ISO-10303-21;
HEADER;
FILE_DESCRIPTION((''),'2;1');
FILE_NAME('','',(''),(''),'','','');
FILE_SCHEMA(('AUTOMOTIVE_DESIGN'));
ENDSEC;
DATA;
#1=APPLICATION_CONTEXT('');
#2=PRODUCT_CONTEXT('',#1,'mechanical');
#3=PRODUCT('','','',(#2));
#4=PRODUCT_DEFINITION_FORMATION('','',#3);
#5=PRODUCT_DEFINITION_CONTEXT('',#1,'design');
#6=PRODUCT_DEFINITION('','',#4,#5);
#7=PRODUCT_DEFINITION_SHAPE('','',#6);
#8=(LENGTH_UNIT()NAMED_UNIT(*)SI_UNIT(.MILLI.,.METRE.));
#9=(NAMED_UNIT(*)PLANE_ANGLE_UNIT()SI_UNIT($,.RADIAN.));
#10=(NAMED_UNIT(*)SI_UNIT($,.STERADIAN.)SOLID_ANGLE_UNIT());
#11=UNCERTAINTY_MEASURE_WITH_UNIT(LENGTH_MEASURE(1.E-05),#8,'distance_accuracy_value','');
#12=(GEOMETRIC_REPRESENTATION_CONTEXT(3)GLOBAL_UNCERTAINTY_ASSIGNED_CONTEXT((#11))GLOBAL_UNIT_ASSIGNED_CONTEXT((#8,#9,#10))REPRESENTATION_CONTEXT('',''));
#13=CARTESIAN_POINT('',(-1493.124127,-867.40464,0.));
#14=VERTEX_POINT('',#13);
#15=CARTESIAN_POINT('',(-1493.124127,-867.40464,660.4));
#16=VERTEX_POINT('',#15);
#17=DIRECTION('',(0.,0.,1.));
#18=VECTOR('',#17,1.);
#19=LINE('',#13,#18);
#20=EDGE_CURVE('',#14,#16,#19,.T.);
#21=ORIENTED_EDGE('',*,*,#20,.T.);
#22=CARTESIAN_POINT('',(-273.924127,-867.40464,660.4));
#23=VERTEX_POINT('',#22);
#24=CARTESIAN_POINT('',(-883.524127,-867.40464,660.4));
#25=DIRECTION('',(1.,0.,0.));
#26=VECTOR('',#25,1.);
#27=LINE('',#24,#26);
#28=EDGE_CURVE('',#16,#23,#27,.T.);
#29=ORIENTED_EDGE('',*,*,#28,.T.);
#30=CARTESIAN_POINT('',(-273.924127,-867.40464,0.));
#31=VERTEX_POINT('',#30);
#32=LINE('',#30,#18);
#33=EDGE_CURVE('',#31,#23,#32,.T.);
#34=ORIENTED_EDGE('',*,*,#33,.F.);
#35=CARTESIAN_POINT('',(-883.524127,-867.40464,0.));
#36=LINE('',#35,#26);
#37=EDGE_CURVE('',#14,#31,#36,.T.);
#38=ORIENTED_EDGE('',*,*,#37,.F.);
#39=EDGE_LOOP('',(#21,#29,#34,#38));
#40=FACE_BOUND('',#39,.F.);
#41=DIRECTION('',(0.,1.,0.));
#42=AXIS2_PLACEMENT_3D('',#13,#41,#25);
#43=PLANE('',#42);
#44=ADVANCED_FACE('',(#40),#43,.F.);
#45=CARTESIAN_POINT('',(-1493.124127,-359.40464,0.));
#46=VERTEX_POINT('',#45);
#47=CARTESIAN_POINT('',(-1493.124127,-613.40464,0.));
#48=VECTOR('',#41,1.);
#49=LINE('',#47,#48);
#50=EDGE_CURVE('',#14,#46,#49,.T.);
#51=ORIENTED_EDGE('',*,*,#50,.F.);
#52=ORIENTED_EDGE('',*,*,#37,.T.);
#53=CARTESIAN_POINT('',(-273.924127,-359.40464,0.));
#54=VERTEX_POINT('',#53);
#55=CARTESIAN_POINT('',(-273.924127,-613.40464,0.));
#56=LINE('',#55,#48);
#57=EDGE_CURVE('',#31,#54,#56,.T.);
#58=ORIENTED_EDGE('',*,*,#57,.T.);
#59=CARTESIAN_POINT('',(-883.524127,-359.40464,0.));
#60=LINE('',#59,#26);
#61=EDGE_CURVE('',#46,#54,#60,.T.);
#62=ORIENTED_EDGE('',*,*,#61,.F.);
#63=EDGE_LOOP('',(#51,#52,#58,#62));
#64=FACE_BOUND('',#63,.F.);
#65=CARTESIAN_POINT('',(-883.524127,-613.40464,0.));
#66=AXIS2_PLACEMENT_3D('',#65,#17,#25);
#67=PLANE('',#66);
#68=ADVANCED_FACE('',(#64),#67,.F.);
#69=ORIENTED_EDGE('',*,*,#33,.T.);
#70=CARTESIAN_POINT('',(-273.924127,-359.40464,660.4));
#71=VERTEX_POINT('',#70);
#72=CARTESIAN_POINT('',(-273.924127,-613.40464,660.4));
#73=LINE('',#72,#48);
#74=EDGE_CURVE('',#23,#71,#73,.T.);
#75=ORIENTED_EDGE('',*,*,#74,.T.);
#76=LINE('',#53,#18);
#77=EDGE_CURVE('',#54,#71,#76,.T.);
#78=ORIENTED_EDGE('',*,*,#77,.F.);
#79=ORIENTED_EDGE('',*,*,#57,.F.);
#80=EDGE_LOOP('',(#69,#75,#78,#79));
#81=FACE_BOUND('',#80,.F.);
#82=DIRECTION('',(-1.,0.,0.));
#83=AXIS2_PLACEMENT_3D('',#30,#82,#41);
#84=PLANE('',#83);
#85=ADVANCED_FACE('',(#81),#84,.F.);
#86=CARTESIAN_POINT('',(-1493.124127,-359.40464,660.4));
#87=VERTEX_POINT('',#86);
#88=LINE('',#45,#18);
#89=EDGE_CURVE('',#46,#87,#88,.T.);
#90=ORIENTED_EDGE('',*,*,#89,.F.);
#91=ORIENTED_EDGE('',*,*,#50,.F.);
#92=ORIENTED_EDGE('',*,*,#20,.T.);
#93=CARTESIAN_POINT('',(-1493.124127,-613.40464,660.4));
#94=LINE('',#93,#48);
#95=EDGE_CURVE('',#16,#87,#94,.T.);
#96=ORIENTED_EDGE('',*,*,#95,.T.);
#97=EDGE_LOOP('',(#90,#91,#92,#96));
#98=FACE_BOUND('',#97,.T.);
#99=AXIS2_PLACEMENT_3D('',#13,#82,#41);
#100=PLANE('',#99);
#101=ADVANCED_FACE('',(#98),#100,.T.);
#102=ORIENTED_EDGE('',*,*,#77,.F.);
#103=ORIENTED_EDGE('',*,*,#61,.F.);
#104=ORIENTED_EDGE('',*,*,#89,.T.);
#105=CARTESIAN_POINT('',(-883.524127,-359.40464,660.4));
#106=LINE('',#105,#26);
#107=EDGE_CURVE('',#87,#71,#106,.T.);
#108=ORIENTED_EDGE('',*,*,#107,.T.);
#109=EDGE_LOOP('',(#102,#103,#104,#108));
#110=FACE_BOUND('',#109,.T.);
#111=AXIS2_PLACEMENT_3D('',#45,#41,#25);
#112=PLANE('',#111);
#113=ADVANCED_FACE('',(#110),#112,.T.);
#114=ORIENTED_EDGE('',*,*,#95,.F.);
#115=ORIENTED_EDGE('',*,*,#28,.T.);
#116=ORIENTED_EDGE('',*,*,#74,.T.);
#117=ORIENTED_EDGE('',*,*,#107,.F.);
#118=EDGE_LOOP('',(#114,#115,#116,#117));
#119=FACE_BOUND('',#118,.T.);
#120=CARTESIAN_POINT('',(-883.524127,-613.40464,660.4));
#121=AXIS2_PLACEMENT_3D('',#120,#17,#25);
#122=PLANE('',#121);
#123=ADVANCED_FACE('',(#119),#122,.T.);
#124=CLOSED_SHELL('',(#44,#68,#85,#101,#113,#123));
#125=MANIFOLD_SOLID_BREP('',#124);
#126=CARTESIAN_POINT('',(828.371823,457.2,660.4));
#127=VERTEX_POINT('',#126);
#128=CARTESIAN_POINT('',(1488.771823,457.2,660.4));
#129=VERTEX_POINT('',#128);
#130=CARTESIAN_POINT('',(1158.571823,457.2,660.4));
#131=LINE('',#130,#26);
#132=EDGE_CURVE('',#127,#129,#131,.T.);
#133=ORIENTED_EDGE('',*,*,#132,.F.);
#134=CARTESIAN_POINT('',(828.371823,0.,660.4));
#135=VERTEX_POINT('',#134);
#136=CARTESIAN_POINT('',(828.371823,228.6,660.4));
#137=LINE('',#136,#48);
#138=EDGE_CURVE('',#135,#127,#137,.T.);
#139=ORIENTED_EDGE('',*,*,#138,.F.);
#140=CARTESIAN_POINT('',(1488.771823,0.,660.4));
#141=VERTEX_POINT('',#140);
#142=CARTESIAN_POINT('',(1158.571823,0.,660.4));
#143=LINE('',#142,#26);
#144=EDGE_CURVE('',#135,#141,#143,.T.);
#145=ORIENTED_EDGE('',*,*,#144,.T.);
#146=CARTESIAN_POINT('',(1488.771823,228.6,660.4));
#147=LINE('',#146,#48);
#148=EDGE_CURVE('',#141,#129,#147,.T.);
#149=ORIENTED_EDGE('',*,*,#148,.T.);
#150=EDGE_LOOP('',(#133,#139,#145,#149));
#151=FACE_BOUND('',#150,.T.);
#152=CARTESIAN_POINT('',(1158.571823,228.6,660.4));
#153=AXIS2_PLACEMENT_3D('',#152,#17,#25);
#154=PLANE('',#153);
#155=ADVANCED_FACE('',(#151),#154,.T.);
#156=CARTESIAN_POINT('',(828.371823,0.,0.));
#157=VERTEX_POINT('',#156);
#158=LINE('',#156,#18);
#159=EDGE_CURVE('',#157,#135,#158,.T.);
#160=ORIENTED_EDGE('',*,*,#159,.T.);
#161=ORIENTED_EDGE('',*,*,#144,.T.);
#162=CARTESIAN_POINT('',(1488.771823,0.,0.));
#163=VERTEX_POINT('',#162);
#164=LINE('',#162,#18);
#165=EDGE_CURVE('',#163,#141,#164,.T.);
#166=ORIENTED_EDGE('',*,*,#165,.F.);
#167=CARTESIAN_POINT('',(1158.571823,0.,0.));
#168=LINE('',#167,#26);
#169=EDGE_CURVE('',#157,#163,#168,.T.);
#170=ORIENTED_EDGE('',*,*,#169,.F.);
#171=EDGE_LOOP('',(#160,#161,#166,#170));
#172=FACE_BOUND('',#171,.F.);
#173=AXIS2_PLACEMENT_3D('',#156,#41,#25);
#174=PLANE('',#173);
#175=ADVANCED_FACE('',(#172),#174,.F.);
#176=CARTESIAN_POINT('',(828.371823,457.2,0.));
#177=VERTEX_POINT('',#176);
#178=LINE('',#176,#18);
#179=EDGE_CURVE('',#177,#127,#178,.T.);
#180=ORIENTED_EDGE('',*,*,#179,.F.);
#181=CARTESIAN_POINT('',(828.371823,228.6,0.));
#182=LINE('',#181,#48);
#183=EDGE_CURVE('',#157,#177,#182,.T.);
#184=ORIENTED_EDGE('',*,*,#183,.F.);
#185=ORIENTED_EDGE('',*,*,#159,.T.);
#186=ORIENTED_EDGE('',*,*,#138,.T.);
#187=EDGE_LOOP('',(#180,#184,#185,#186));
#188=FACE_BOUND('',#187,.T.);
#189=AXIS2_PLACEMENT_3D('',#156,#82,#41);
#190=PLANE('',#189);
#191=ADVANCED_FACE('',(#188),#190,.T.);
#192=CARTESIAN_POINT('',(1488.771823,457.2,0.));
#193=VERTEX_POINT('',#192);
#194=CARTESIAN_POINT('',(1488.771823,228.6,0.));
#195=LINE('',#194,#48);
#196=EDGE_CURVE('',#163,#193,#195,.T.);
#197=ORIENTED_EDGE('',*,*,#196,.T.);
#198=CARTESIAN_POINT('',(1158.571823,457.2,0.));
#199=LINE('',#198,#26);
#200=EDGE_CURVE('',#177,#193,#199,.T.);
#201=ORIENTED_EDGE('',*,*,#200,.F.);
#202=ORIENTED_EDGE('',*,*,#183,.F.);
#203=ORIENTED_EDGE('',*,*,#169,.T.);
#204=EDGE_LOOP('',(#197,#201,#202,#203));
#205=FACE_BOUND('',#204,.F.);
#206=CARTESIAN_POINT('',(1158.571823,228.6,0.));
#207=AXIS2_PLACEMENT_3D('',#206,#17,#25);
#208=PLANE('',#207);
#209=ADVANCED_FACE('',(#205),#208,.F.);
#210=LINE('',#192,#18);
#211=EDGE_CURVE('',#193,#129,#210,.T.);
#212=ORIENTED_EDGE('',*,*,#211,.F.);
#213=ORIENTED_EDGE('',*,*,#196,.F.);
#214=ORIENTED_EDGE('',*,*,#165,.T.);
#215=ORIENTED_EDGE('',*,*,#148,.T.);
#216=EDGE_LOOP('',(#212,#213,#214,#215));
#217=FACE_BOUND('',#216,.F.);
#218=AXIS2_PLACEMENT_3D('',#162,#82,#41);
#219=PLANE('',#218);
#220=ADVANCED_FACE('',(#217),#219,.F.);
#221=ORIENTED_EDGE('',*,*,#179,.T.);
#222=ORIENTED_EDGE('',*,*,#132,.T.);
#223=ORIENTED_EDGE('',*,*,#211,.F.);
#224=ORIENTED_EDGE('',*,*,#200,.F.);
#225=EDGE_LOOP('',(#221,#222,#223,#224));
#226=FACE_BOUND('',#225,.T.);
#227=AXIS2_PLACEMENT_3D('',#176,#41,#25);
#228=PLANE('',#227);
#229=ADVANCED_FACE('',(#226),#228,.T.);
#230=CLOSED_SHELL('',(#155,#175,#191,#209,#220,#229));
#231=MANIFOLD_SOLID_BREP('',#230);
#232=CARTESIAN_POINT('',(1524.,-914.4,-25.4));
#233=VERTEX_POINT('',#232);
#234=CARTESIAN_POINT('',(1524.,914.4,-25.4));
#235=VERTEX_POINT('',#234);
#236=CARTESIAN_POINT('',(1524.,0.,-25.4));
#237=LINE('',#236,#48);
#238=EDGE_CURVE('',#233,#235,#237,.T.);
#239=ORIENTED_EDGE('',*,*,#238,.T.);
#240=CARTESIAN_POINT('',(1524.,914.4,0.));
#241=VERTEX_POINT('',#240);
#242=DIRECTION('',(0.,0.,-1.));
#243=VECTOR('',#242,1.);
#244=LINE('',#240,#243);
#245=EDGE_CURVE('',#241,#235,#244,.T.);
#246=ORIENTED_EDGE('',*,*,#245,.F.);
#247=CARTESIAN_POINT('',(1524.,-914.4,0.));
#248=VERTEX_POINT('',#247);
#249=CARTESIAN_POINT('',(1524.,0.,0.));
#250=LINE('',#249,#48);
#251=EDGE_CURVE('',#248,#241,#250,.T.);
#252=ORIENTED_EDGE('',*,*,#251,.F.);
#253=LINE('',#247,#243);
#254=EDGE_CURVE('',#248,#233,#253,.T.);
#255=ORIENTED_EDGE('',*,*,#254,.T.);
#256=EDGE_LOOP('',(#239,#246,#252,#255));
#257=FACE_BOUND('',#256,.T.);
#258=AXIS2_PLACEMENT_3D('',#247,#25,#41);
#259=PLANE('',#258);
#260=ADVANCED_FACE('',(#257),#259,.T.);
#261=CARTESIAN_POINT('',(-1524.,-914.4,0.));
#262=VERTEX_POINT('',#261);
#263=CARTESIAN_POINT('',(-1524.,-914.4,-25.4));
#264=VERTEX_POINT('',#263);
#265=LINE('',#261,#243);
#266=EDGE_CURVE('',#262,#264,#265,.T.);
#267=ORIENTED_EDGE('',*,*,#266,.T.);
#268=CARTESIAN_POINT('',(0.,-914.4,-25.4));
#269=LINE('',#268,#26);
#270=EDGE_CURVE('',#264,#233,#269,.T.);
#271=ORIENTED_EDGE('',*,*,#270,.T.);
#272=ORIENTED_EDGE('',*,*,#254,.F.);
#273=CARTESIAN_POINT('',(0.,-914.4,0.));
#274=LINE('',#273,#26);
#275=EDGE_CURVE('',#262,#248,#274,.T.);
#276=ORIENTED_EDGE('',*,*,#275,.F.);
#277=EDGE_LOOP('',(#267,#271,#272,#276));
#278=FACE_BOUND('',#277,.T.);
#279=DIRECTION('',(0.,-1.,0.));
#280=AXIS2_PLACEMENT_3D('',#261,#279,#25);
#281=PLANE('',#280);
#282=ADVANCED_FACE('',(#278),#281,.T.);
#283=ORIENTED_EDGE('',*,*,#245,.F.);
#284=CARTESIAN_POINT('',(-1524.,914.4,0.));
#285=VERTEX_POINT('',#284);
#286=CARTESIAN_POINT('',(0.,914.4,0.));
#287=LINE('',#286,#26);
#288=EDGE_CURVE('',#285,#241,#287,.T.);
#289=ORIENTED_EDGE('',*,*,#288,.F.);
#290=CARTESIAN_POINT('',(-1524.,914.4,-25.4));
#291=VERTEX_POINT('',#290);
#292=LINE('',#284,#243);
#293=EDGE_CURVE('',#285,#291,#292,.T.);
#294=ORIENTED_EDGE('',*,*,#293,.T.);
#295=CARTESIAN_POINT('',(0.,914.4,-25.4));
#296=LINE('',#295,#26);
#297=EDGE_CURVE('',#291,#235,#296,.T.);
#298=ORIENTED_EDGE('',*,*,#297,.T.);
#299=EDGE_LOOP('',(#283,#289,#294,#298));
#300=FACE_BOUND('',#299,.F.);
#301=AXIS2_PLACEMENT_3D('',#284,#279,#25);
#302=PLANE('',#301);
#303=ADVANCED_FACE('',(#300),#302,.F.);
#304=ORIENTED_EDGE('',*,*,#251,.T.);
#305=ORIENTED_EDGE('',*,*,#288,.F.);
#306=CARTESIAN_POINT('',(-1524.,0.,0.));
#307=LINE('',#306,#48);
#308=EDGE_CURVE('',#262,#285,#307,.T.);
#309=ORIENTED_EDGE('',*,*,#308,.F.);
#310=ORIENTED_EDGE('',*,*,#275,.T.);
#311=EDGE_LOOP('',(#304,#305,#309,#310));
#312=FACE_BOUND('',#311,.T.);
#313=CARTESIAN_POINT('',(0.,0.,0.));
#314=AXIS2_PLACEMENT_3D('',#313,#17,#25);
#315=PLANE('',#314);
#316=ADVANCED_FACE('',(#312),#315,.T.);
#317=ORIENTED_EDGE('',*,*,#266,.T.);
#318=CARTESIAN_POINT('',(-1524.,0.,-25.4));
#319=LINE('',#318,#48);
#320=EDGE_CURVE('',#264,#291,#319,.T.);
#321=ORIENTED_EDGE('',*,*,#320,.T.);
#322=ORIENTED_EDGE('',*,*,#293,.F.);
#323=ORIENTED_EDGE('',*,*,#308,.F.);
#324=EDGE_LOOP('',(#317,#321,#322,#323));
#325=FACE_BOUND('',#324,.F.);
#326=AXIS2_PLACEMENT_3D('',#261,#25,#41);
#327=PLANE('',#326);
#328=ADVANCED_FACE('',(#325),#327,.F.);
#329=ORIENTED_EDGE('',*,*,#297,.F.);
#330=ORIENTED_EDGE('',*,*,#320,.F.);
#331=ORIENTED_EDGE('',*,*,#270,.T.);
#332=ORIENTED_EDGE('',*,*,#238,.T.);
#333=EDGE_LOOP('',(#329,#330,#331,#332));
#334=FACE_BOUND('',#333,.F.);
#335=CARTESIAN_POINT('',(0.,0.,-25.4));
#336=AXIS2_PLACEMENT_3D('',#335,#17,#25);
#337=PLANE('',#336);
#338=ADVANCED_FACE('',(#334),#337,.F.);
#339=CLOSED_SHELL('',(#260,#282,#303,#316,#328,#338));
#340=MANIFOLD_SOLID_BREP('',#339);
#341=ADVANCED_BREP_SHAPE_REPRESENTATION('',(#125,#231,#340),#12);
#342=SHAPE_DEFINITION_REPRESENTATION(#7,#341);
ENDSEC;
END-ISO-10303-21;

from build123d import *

# Parameters (mm, degrees)
F0_W     = 3048
F0_H     = 1828.8
F2_DEPTH = 25.4
F1_W     = 1219.2
F1_H     = 508
F1_W_2   = 660.4
F1_H_2   = 457.2
F3_DEPTH = 660.4


with BuildPart() as f2:
    # F0 (on Top) → F2 (new body)
    with BuildSketch(Plane.XY):
        Rectangle(F0_W, F0_H)
    extrude(amount=-F2_DEPTH)


with BuildPart() as f3:
    # F1 (on Top) → F3 (new body)
    with BuildSketch(Plane.XY):
        with Locations((-883.524127, -613.40464)):
            Rectangle(F1_W, F1_H)
        with Locations((1158.571823, 228.6)):
            Rectangle(F1_W_2, F1_H_2)
    extrude(amount=F3_DEPTH)


solid = Compound([f2.part, f3.part])
